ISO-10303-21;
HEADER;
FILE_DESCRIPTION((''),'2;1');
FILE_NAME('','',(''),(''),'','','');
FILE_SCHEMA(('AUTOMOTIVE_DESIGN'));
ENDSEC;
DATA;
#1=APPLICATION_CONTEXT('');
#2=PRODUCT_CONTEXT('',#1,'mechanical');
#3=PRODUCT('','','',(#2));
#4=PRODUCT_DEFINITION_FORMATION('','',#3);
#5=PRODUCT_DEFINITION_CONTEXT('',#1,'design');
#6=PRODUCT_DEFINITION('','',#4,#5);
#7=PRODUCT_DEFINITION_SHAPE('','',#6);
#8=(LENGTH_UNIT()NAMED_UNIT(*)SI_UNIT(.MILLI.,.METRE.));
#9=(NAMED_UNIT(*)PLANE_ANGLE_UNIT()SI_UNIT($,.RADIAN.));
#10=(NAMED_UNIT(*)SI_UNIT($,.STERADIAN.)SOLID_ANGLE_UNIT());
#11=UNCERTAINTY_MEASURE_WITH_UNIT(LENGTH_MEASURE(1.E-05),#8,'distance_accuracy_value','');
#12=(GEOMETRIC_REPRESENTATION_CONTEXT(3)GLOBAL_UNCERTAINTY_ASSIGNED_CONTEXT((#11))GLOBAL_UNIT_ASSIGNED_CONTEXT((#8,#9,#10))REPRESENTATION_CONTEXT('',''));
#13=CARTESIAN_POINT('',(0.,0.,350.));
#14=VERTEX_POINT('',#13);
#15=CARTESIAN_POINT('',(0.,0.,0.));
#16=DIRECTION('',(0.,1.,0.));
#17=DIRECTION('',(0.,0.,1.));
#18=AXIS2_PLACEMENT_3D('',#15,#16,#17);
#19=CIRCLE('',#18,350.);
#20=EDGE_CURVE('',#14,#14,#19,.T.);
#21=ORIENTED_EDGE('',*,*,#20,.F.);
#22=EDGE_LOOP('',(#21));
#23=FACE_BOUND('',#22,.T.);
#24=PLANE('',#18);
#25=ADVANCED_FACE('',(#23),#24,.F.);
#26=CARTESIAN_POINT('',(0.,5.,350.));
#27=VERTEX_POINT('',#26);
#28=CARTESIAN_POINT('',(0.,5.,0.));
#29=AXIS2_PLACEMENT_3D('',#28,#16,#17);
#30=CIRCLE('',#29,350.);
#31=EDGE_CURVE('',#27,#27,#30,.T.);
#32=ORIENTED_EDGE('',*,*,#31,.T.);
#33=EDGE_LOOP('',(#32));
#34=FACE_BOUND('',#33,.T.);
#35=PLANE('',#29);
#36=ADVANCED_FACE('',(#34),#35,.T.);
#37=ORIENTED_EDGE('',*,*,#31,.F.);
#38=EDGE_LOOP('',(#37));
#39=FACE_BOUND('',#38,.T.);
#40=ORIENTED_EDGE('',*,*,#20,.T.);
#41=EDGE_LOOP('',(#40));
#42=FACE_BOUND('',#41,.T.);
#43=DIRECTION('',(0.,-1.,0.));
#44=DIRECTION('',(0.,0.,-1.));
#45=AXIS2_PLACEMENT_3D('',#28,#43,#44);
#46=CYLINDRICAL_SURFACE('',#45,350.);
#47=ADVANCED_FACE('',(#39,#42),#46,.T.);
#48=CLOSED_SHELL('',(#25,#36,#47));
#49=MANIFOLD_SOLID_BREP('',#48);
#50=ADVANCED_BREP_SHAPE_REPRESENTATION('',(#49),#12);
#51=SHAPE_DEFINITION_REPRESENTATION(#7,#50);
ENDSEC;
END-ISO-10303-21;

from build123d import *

# Parameters (mm, degrees)
IZIM1_R                     = 350
Y_KSEKLIK_EKSTR_ZYON1_DEPTH = 5


with BuildPart() as part:
    # Çizim1 → Yükseklik-Ekstrüzyon1 (new body)
    with BuildSketch(Plane(origin=(0, 0, 0), x_dir=(1, 0, 0), z_dir=(0, 1, 0))):
        with Locations(Location((0, 0, 0), (0, 0, 270))):
            Circle(IZIM1_R)
    extrude(amount=Y_KSEKLIK_EKSTR_ZYON1_DEPTH)


solid = part.part
